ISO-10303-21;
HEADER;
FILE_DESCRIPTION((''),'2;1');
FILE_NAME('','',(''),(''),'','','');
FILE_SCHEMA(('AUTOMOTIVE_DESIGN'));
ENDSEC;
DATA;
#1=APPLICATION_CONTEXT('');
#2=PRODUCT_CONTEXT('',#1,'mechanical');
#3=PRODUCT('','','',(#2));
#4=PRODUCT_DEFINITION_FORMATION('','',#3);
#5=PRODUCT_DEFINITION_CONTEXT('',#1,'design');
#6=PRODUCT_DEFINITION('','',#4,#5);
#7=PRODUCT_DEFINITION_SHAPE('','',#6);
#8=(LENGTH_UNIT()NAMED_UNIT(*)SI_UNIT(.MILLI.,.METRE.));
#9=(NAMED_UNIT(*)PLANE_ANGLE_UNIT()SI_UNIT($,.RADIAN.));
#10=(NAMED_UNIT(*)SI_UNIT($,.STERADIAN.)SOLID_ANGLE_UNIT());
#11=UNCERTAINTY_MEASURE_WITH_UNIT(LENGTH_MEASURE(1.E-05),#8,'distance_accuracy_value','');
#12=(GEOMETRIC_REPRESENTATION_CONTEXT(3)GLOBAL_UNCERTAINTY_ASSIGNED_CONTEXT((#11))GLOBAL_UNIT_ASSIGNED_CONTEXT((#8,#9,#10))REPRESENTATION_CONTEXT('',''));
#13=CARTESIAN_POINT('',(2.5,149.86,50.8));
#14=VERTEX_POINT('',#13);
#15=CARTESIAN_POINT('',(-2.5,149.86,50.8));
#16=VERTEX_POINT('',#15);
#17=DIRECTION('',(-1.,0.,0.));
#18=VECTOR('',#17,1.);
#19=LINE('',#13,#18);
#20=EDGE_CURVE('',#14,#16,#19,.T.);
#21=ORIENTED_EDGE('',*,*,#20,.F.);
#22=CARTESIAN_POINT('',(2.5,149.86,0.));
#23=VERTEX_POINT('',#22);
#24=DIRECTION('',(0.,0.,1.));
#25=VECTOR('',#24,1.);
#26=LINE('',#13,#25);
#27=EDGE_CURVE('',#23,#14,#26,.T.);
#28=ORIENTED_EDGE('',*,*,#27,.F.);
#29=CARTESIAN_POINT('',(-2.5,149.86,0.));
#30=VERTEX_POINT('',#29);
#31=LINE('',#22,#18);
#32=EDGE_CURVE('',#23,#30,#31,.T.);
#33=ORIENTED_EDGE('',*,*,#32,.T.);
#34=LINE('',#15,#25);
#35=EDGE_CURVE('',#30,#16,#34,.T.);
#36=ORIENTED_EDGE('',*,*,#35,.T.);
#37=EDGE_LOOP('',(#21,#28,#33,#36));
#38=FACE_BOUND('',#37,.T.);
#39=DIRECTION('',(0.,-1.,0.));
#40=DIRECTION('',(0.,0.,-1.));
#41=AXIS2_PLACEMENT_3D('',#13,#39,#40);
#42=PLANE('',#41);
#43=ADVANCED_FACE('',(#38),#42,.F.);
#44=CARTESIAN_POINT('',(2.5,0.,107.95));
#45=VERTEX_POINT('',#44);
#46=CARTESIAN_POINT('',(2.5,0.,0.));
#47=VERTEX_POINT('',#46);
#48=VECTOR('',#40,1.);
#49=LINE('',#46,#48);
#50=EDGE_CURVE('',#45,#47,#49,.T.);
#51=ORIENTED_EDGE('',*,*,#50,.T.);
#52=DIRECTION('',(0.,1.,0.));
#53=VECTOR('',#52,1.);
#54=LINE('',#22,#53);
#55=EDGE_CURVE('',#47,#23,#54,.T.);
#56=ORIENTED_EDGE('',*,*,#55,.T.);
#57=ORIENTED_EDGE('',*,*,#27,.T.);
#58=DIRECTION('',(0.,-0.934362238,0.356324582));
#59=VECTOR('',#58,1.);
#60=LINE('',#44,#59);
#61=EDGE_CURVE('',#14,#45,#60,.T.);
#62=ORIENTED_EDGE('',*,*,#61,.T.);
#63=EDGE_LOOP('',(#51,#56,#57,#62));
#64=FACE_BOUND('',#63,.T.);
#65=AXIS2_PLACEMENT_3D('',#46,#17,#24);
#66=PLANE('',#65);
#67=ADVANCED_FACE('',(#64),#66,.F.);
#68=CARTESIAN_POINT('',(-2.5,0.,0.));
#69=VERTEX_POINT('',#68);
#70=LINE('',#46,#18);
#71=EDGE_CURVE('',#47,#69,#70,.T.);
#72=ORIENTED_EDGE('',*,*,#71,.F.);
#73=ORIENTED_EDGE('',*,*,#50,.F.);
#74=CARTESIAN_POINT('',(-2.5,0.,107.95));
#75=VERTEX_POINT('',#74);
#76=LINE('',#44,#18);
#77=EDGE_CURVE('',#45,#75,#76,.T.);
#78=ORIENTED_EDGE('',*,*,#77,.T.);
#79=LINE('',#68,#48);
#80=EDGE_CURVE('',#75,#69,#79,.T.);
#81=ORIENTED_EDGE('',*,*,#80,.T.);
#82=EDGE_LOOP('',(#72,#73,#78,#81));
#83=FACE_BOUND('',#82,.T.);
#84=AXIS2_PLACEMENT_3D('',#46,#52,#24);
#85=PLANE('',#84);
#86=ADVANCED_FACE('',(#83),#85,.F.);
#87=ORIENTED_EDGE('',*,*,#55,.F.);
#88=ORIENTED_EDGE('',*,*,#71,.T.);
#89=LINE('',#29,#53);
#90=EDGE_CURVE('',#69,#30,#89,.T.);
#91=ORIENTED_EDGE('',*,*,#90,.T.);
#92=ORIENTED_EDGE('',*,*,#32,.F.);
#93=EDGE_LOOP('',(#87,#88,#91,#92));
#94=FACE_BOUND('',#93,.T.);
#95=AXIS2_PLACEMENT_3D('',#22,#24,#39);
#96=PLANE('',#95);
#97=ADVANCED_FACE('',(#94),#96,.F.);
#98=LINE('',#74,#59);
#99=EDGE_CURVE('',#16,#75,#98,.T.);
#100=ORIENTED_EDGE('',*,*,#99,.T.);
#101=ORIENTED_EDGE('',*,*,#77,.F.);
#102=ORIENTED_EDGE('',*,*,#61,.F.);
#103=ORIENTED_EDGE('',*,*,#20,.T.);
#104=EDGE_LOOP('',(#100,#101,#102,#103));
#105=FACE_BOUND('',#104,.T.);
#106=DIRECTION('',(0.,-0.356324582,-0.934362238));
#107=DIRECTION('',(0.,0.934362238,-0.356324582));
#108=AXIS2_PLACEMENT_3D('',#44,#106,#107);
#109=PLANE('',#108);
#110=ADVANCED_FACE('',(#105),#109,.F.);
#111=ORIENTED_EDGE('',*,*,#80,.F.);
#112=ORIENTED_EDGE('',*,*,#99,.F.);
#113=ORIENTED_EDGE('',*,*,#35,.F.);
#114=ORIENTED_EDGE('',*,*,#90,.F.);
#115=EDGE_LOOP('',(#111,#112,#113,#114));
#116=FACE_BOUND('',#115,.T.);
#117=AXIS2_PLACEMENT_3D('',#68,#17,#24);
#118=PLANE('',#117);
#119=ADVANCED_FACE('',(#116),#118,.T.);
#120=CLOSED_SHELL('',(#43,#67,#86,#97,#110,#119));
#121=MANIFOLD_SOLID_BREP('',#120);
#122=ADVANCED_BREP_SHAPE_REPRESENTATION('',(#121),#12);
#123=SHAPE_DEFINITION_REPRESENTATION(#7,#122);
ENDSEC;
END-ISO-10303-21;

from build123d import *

# Parameters (mm, degrees)
BOSS_EXTRUDE1_DEPTH = 2.5


with BuildPart() as part:
    # Sketch1 → Boss-Extrude1 (new body, symmetric)
    with BuildSketch(Plane(origin=(0, 0, 0), x_dir=(0, 0, -1), z_dir=(1, 0, 0))):
        Polygon((0, 149.86), (0, 0), (-107.95, 0), (-50.8, 149.86), align=None)
    extrude(amount=BOSS_EXTRUDE1_DEPTH, both=True)


solid = part.part
